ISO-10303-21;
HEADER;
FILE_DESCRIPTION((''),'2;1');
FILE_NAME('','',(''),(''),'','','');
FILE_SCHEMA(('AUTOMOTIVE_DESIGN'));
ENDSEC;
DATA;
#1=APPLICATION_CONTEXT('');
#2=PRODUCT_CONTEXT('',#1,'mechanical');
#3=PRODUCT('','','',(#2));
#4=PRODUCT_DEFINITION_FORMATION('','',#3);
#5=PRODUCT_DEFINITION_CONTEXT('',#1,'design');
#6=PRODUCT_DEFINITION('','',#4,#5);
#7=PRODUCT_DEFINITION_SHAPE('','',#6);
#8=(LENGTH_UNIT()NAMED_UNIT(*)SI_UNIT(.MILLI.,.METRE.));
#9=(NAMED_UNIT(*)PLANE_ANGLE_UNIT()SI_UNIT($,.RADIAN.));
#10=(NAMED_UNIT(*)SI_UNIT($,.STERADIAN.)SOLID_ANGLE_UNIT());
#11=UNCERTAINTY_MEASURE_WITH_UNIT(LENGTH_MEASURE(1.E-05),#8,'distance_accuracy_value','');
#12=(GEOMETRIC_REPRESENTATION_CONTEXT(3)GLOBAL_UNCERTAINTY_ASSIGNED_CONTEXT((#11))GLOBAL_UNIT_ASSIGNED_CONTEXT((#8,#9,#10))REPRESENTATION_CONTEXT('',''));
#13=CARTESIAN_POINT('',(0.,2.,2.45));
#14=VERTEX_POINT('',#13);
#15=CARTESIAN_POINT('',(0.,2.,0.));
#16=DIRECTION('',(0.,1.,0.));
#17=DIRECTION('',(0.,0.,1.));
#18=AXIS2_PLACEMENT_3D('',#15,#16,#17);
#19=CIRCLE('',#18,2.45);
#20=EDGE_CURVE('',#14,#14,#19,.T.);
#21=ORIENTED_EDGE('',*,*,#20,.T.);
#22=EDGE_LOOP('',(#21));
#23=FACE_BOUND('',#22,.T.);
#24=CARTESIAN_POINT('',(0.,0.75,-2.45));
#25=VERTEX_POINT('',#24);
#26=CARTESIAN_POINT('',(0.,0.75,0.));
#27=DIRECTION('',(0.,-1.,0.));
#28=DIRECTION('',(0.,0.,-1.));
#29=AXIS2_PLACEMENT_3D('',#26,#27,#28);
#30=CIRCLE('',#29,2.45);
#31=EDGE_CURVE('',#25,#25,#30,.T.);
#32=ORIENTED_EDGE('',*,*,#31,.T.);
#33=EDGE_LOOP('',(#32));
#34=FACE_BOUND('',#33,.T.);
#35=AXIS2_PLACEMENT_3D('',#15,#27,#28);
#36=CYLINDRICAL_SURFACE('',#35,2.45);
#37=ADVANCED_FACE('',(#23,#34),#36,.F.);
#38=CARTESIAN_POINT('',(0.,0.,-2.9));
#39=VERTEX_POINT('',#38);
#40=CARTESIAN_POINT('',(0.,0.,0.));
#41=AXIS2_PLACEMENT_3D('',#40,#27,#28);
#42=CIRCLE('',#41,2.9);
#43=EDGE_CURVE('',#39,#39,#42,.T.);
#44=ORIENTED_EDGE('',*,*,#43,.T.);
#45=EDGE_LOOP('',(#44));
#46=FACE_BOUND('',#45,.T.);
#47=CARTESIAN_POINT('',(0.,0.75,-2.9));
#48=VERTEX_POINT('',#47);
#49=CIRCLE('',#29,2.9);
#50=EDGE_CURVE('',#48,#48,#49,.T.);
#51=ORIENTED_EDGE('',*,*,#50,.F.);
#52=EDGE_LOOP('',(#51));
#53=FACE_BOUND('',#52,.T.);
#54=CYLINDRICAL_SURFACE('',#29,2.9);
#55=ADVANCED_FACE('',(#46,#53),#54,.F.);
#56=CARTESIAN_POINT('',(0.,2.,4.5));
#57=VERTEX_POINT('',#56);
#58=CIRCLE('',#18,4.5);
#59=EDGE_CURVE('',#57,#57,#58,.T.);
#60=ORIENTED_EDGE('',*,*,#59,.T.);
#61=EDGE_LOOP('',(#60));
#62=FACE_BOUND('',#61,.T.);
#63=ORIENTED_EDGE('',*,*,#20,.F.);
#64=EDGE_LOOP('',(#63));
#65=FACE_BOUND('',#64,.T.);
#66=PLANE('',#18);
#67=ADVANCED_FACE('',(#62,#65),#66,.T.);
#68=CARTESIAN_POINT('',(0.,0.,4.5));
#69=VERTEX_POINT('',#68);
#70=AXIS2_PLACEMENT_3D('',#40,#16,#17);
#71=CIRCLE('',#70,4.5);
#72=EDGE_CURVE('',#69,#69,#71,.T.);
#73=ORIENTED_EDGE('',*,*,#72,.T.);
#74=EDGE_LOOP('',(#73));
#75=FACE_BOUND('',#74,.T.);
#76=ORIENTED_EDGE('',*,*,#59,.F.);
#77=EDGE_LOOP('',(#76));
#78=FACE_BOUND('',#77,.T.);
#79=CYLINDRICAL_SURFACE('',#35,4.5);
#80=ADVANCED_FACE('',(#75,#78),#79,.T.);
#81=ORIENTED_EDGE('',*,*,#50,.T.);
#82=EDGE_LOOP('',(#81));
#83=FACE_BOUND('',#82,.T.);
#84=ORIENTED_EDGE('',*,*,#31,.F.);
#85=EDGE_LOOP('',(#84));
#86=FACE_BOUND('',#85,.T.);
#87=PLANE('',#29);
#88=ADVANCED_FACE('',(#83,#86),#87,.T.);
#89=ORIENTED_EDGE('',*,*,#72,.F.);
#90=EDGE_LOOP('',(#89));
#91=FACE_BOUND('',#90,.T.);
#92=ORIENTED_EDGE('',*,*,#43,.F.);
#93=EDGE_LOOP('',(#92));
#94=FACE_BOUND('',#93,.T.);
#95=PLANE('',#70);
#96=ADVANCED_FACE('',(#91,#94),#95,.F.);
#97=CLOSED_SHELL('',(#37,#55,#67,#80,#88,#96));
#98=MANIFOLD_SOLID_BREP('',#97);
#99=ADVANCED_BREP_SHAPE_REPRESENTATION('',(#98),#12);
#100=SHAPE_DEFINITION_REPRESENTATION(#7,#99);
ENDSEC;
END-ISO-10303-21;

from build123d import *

# Parameters (mm, degrees)
SKETCH1_R           = 4.5
SKETCH1_R_2         = 2.45
BOSS_EXTRUDE1_DEPTH = 2
SKETCH2_R           = 2.9
CUT_EXTRUDE1_DEPTH  = 0.75


with BuildPart() as part:
    # Sketch1 → Boss-Extrude1 (new body)
    with BuildSketch(Plane(origin=(0, 0, 0), x_dir=(1, 0, 0), z_dir=(0, 1, 0))):
        Circle(SKETCH1_R)
        Circle(SKETCH1_R_2, mode=Mode.SUBTRACT)
    extrude(amount=BOSS_EXTRUDE1_DEPTH)

    # Sketch2 → Cut-Extrude1 (cut)
    with BuildSketch(Plane(origin=(0, 0, 0), x_dir=(-1, 0, 0), z_dir=(0, -1, 0))):
        Circle(SKETCH2_R)
    extrude(amount=-CUT_EXTRUDE1_DEPTH, mode=Mode.SUBTRACT)


solid = part.part
